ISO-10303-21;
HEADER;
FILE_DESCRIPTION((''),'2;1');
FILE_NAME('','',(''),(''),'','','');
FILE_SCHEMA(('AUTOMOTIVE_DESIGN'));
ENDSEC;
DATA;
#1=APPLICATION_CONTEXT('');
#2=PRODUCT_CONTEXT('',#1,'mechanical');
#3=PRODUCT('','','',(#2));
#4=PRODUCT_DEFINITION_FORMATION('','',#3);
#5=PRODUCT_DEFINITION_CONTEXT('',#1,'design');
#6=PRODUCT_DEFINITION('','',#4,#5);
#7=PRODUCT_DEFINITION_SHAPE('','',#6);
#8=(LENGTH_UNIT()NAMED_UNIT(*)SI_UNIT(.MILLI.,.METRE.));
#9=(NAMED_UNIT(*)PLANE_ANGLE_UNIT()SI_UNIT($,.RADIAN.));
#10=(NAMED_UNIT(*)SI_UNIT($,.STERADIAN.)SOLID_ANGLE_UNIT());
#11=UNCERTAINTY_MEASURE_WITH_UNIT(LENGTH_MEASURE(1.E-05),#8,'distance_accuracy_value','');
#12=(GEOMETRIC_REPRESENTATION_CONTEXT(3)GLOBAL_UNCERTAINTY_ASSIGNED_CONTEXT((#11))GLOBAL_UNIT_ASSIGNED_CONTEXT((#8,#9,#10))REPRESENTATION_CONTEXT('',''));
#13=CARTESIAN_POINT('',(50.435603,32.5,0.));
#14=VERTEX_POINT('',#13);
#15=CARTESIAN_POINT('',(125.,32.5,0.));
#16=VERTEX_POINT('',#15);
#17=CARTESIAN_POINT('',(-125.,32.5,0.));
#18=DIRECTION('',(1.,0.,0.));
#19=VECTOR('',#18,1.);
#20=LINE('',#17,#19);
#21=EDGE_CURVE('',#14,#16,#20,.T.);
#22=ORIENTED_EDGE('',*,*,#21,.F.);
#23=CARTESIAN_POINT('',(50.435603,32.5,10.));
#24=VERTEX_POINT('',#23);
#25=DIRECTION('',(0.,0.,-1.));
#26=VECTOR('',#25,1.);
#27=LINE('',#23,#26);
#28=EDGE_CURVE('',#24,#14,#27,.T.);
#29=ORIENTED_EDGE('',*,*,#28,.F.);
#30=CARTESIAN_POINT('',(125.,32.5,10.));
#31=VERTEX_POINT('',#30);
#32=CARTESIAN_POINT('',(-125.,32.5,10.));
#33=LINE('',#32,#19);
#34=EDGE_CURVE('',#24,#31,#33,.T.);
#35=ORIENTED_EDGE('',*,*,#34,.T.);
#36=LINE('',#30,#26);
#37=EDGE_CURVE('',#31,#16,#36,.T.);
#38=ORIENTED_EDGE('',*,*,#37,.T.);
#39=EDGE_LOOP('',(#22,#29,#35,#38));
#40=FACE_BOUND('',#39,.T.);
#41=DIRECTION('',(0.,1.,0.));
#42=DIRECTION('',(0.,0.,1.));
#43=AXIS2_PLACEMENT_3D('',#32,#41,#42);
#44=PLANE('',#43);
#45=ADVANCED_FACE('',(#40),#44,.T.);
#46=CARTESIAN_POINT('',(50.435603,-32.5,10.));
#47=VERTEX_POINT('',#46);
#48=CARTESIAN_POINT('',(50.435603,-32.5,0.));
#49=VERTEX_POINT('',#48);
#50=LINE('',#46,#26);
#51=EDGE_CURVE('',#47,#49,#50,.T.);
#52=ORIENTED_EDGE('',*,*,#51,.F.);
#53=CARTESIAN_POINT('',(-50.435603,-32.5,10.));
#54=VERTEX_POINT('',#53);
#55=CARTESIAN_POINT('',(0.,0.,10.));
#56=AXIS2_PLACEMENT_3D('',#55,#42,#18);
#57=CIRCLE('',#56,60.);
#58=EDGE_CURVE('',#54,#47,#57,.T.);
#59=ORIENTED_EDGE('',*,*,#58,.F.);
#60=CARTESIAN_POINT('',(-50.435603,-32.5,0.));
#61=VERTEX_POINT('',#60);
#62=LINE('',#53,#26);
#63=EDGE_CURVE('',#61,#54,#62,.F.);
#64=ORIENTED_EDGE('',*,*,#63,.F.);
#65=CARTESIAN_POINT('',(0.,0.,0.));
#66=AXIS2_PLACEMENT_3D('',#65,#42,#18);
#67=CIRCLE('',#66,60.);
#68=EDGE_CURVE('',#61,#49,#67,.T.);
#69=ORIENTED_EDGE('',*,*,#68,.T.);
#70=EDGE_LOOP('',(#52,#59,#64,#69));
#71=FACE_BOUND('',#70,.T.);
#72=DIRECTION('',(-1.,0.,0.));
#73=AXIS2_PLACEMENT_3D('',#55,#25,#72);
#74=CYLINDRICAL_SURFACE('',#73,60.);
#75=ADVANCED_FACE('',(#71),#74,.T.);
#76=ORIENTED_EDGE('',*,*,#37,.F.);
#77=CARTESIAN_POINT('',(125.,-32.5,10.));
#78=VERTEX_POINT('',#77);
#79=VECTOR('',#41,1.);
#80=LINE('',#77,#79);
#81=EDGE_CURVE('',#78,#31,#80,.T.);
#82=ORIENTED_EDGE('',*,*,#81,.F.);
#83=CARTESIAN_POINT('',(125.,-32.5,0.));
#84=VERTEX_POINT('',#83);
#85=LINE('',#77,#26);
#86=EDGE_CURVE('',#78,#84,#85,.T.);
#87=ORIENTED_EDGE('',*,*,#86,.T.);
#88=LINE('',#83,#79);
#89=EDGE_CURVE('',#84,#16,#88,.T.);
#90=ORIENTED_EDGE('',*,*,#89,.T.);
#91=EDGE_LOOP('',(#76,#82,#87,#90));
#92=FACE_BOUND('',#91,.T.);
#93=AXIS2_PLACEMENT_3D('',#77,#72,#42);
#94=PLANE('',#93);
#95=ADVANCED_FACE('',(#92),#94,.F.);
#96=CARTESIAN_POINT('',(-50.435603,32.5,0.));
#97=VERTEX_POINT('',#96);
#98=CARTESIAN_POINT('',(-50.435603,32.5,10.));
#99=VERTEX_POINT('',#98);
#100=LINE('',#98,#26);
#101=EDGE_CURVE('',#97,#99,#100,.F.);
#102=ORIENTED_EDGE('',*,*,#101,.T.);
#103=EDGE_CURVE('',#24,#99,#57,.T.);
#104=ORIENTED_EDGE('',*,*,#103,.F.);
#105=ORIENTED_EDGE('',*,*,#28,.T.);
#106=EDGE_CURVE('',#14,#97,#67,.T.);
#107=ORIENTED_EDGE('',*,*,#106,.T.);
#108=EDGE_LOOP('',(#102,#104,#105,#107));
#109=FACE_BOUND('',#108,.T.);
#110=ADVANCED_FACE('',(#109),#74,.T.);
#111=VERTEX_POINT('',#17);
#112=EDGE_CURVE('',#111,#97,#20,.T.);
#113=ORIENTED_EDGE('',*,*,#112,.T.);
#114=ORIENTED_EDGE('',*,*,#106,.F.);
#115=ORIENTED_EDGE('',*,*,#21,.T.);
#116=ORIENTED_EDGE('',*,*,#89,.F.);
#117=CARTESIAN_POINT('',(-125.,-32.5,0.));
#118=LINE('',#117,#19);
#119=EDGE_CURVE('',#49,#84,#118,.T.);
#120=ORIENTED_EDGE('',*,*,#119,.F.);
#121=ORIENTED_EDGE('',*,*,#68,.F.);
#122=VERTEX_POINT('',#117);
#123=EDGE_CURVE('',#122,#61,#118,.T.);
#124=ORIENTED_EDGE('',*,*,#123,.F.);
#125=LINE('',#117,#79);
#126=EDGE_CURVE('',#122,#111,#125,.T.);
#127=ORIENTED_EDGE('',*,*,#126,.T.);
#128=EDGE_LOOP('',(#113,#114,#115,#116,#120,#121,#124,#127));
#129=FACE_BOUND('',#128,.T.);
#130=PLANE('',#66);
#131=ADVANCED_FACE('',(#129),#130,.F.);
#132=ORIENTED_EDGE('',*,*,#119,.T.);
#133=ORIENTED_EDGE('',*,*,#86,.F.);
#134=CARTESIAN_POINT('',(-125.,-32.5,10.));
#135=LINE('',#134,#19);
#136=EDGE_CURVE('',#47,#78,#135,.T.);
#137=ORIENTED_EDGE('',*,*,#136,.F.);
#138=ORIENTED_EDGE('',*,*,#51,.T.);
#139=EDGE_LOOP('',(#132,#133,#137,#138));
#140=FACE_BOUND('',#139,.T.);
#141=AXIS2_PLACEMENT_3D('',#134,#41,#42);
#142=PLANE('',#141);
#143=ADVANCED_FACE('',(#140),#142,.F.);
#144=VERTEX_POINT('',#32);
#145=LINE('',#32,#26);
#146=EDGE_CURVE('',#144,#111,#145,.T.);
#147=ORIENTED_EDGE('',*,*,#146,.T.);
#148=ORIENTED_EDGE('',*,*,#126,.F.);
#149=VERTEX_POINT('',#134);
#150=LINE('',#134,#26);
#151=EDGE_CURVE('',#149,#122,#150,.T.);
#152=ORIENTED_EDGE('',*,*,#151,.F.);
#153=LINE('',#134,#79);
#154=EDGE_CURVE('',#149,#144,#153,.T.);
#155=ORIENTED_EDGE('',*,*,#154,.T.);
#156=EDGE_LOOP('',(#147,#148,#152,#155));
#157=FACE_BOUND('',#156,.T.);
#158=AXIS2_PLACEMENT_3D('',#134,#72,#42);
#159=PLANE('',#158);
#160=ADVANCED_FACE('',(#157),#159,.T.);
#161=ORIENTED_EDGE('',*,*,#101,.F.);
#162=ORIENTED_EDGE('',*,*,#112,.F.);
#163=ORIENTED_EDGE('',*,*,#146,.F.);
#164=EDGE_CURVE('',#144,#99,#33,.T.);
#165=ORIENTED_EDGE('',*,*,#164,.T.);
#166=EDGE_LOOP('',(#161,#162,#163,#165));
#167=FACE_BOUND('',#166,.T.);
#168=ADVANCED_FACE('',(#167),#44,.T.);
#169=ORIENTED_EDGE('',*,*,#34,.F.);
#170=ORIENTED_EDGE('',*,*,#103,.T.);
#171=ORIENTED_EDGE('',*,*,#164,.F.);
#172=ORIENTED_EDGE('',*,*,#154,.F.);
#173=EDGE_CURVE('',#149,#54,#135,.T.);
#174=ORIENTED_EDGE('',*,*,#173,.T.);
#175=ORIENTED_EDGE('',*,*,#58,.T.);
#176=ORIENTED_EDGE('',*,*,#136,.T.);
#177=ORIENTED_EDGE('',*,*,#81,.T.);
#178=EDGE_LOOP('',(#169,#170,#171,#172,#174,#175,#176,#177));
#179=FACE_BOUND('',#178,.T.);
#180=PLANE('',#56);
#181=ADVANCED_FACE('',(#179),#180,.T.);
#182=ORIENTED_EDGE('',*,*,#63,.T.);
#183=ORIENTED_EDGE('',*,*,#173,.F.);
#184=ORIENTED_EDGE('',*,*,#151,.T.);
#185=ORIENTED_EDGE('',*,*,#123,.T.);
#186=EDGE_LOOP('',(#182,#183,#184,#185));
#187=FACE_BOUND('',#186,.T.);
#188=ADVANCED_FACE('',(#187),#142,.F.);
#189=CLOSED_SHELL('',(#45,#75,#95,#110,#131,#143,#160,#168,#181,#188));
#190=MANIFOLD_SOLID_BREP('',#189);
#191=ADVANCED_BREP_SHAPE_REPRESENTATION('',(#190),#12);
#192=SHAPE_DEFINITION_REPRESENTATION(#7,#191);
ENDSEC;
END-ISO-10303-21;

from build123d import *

# Parameters (mm, degrees)
ESQUISSE1_R        = 60
ESQUISSE1_W        = 250
ESQUISSE1_H        = 65
BOSS_EXTRU_1_DEPTH = 10


with BuildPart() as part:
    # Esquisse1 → Boss.-Extru.1 (new body)
    with BuildSketch(Plane.XY):
        Circle(ESQUISSE1_R)
        Rectangle(ESQUISSE1_W, ESQUISSE1_H)
    extrude(amount=BOSS_EXTRU_1_DEPTH)


solid = part.part
